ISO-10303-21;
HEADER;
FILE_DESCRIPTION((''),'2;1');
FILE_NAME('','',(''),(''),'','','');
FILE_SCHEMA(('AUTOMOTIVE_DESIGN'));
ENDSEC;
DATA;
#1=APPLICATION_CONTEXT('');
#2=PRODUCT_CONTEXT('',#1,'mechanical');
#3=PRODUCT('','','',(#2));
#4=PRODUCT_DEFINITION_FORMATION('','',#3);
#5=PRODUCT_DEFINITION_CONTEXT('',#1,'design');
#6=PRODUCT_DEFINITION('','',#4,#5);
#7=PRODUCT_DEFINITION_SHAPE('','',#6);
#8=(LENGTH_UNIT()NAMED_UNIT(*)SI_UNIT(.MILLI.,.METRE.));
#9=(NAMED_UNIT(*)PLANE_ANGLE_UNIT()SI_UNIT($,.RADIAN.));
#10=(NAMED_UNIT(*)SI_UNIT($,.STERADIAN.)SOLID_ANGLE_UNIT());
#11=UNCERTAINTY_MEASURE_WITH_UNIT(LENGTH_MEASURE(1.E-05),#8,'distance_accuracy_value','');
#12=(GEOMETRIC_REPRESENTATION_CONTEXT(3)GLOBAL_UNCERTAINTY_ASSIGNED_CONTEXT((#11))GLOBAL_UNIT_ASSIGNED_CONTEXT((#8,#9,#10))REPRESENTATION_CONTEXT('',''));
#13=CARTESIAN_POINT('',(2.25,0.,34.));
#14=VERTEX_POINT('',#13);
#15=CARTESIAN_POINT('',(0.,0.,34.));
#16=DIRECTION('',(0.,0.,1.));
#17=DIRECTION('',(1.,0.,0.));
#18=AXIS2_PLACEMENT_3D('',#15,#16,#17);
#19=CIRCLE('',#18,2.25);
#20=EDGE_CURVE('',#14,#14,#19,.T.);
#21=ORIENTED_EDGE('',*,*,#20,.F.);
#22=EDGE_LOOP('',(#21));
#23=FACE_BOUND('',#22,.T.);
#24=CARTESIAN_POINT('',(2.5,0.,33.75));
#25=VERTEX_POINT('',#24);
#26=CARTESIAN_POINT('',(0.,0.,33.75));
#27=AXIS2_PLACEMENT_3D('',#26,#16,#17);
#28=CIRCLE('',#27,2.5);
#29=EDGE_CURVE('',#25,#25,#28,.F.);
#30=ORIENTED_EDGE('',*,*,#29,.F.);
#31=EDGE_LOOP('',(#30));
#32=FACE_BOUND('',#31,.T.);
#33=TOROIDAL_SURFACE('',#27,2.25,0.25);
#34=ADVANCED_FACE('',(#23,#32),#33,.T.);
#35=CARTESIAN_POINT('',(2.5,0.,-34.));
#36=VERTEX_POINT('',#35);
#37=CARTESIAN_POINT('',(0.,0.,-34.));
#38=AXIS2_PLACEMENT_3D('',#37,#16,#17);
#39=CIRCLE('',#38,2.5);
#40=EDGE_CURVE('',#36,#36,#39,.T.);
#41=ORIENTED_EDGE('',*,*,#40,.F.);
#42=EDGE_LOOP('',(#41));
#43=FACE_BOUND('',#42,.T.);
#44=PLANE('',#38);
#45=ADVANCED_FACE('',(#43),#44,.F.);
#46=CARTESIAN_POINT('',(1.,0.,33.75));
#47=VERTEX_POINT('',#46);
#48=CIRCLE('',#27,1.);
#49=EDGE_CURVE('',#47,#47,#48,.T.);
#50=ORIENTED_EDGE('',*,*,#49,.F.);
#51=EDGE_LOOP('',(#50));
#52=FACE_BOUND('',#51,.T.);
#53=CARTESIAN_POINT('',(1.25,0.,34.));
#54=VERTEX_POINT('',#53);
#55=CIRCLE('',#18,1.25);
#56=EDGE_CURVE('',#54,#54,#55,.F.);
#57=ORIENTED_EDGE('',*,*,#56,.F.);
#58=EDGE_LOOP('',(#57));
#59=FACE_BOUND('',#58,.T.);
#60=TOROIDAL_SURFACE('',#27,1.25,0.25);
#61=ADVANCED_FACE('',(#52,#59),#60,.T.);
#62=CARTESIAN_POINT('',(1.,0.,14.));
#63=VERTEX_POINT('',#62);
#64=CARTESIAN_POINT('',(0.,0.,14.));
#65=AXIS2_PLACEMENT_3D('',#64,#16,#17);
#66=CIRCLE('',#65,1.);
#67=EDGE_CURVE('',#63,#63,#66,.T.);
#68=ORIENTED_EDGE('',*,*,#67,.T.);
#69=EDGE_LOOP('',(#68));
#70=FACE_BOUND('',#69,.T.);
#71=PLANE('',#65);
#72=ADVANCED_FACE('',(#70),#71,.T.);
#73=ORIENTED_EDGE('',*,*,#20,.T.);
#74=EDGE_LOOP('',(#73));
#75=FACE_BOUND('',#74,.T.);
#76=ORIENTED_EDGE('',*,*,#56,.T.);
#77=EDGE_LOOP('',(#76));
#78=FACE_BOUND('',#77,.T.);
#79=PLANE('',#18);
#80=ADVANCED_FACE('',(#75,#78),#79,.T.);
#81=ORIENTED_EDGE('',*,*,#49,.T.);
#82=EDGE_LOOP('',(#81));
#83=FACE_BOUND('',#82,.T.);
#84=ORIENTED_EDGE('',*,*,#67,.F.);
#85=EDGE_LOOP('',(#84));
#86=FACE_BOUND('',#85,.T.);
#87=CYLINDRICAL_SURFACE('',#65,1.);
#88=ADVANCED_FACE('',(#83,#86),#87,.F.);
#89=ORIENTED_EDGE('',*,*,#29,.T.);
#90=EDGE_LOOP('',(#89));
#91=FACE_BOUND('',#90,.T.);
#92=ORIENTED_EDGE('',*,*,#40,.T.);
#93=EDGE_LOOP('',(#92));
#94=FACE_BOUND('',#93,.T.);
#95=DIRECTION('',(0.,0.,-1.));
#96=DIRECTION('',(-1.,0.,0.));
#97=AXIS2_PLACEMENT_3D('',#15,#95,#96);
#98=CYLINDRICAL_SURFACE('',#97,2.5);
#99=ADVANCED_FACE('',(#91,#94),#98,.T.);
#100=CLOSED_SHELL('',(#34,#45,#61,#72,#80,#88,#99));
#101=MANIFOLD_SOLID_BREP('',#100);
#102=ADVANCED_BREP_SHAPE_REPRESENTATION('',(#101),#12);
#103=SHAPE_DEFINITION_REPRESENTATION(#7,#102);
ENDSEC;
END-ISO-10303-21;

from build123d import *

# Parameters (mm, degrees)
SKETCH1_R           = 2.5
BOSS_EXTRUDE1_DEPTH = 34
SKETCH2_R           = 1
CUT_EXTRUDE1_DEPTH  = 20
FILLET1_R           = 0.25


with BuildPart() as part:
    # Sketch1 → Boss-Extrude1 (new body, symmetric)
    with BuildSketch(Plane.XY):
        Circle(SKETCH1_R)
    extrude(amount=BOSS_EXTRUDE1_DEPTH, both=True)

    # Sketch2 → Cut-Extrude1 (cut)
    with BuildSketch(Plane.XY.offset(34)):
        Circle(SKETCH2_R)
    extrude(amount=-CUT_EXTRUDE1_DEPTH, mode=Mode.SUBTRACT)

    # Fillet1
    fillet1_edges = [part.edges().sort_by_distance(p)[0] for p in [
        (-2.5, 0, 34),
        (-1, 0, 34),
    ]]
    fillet(fillet1_edges, radius=FILLET1_R)


solid = part.part
